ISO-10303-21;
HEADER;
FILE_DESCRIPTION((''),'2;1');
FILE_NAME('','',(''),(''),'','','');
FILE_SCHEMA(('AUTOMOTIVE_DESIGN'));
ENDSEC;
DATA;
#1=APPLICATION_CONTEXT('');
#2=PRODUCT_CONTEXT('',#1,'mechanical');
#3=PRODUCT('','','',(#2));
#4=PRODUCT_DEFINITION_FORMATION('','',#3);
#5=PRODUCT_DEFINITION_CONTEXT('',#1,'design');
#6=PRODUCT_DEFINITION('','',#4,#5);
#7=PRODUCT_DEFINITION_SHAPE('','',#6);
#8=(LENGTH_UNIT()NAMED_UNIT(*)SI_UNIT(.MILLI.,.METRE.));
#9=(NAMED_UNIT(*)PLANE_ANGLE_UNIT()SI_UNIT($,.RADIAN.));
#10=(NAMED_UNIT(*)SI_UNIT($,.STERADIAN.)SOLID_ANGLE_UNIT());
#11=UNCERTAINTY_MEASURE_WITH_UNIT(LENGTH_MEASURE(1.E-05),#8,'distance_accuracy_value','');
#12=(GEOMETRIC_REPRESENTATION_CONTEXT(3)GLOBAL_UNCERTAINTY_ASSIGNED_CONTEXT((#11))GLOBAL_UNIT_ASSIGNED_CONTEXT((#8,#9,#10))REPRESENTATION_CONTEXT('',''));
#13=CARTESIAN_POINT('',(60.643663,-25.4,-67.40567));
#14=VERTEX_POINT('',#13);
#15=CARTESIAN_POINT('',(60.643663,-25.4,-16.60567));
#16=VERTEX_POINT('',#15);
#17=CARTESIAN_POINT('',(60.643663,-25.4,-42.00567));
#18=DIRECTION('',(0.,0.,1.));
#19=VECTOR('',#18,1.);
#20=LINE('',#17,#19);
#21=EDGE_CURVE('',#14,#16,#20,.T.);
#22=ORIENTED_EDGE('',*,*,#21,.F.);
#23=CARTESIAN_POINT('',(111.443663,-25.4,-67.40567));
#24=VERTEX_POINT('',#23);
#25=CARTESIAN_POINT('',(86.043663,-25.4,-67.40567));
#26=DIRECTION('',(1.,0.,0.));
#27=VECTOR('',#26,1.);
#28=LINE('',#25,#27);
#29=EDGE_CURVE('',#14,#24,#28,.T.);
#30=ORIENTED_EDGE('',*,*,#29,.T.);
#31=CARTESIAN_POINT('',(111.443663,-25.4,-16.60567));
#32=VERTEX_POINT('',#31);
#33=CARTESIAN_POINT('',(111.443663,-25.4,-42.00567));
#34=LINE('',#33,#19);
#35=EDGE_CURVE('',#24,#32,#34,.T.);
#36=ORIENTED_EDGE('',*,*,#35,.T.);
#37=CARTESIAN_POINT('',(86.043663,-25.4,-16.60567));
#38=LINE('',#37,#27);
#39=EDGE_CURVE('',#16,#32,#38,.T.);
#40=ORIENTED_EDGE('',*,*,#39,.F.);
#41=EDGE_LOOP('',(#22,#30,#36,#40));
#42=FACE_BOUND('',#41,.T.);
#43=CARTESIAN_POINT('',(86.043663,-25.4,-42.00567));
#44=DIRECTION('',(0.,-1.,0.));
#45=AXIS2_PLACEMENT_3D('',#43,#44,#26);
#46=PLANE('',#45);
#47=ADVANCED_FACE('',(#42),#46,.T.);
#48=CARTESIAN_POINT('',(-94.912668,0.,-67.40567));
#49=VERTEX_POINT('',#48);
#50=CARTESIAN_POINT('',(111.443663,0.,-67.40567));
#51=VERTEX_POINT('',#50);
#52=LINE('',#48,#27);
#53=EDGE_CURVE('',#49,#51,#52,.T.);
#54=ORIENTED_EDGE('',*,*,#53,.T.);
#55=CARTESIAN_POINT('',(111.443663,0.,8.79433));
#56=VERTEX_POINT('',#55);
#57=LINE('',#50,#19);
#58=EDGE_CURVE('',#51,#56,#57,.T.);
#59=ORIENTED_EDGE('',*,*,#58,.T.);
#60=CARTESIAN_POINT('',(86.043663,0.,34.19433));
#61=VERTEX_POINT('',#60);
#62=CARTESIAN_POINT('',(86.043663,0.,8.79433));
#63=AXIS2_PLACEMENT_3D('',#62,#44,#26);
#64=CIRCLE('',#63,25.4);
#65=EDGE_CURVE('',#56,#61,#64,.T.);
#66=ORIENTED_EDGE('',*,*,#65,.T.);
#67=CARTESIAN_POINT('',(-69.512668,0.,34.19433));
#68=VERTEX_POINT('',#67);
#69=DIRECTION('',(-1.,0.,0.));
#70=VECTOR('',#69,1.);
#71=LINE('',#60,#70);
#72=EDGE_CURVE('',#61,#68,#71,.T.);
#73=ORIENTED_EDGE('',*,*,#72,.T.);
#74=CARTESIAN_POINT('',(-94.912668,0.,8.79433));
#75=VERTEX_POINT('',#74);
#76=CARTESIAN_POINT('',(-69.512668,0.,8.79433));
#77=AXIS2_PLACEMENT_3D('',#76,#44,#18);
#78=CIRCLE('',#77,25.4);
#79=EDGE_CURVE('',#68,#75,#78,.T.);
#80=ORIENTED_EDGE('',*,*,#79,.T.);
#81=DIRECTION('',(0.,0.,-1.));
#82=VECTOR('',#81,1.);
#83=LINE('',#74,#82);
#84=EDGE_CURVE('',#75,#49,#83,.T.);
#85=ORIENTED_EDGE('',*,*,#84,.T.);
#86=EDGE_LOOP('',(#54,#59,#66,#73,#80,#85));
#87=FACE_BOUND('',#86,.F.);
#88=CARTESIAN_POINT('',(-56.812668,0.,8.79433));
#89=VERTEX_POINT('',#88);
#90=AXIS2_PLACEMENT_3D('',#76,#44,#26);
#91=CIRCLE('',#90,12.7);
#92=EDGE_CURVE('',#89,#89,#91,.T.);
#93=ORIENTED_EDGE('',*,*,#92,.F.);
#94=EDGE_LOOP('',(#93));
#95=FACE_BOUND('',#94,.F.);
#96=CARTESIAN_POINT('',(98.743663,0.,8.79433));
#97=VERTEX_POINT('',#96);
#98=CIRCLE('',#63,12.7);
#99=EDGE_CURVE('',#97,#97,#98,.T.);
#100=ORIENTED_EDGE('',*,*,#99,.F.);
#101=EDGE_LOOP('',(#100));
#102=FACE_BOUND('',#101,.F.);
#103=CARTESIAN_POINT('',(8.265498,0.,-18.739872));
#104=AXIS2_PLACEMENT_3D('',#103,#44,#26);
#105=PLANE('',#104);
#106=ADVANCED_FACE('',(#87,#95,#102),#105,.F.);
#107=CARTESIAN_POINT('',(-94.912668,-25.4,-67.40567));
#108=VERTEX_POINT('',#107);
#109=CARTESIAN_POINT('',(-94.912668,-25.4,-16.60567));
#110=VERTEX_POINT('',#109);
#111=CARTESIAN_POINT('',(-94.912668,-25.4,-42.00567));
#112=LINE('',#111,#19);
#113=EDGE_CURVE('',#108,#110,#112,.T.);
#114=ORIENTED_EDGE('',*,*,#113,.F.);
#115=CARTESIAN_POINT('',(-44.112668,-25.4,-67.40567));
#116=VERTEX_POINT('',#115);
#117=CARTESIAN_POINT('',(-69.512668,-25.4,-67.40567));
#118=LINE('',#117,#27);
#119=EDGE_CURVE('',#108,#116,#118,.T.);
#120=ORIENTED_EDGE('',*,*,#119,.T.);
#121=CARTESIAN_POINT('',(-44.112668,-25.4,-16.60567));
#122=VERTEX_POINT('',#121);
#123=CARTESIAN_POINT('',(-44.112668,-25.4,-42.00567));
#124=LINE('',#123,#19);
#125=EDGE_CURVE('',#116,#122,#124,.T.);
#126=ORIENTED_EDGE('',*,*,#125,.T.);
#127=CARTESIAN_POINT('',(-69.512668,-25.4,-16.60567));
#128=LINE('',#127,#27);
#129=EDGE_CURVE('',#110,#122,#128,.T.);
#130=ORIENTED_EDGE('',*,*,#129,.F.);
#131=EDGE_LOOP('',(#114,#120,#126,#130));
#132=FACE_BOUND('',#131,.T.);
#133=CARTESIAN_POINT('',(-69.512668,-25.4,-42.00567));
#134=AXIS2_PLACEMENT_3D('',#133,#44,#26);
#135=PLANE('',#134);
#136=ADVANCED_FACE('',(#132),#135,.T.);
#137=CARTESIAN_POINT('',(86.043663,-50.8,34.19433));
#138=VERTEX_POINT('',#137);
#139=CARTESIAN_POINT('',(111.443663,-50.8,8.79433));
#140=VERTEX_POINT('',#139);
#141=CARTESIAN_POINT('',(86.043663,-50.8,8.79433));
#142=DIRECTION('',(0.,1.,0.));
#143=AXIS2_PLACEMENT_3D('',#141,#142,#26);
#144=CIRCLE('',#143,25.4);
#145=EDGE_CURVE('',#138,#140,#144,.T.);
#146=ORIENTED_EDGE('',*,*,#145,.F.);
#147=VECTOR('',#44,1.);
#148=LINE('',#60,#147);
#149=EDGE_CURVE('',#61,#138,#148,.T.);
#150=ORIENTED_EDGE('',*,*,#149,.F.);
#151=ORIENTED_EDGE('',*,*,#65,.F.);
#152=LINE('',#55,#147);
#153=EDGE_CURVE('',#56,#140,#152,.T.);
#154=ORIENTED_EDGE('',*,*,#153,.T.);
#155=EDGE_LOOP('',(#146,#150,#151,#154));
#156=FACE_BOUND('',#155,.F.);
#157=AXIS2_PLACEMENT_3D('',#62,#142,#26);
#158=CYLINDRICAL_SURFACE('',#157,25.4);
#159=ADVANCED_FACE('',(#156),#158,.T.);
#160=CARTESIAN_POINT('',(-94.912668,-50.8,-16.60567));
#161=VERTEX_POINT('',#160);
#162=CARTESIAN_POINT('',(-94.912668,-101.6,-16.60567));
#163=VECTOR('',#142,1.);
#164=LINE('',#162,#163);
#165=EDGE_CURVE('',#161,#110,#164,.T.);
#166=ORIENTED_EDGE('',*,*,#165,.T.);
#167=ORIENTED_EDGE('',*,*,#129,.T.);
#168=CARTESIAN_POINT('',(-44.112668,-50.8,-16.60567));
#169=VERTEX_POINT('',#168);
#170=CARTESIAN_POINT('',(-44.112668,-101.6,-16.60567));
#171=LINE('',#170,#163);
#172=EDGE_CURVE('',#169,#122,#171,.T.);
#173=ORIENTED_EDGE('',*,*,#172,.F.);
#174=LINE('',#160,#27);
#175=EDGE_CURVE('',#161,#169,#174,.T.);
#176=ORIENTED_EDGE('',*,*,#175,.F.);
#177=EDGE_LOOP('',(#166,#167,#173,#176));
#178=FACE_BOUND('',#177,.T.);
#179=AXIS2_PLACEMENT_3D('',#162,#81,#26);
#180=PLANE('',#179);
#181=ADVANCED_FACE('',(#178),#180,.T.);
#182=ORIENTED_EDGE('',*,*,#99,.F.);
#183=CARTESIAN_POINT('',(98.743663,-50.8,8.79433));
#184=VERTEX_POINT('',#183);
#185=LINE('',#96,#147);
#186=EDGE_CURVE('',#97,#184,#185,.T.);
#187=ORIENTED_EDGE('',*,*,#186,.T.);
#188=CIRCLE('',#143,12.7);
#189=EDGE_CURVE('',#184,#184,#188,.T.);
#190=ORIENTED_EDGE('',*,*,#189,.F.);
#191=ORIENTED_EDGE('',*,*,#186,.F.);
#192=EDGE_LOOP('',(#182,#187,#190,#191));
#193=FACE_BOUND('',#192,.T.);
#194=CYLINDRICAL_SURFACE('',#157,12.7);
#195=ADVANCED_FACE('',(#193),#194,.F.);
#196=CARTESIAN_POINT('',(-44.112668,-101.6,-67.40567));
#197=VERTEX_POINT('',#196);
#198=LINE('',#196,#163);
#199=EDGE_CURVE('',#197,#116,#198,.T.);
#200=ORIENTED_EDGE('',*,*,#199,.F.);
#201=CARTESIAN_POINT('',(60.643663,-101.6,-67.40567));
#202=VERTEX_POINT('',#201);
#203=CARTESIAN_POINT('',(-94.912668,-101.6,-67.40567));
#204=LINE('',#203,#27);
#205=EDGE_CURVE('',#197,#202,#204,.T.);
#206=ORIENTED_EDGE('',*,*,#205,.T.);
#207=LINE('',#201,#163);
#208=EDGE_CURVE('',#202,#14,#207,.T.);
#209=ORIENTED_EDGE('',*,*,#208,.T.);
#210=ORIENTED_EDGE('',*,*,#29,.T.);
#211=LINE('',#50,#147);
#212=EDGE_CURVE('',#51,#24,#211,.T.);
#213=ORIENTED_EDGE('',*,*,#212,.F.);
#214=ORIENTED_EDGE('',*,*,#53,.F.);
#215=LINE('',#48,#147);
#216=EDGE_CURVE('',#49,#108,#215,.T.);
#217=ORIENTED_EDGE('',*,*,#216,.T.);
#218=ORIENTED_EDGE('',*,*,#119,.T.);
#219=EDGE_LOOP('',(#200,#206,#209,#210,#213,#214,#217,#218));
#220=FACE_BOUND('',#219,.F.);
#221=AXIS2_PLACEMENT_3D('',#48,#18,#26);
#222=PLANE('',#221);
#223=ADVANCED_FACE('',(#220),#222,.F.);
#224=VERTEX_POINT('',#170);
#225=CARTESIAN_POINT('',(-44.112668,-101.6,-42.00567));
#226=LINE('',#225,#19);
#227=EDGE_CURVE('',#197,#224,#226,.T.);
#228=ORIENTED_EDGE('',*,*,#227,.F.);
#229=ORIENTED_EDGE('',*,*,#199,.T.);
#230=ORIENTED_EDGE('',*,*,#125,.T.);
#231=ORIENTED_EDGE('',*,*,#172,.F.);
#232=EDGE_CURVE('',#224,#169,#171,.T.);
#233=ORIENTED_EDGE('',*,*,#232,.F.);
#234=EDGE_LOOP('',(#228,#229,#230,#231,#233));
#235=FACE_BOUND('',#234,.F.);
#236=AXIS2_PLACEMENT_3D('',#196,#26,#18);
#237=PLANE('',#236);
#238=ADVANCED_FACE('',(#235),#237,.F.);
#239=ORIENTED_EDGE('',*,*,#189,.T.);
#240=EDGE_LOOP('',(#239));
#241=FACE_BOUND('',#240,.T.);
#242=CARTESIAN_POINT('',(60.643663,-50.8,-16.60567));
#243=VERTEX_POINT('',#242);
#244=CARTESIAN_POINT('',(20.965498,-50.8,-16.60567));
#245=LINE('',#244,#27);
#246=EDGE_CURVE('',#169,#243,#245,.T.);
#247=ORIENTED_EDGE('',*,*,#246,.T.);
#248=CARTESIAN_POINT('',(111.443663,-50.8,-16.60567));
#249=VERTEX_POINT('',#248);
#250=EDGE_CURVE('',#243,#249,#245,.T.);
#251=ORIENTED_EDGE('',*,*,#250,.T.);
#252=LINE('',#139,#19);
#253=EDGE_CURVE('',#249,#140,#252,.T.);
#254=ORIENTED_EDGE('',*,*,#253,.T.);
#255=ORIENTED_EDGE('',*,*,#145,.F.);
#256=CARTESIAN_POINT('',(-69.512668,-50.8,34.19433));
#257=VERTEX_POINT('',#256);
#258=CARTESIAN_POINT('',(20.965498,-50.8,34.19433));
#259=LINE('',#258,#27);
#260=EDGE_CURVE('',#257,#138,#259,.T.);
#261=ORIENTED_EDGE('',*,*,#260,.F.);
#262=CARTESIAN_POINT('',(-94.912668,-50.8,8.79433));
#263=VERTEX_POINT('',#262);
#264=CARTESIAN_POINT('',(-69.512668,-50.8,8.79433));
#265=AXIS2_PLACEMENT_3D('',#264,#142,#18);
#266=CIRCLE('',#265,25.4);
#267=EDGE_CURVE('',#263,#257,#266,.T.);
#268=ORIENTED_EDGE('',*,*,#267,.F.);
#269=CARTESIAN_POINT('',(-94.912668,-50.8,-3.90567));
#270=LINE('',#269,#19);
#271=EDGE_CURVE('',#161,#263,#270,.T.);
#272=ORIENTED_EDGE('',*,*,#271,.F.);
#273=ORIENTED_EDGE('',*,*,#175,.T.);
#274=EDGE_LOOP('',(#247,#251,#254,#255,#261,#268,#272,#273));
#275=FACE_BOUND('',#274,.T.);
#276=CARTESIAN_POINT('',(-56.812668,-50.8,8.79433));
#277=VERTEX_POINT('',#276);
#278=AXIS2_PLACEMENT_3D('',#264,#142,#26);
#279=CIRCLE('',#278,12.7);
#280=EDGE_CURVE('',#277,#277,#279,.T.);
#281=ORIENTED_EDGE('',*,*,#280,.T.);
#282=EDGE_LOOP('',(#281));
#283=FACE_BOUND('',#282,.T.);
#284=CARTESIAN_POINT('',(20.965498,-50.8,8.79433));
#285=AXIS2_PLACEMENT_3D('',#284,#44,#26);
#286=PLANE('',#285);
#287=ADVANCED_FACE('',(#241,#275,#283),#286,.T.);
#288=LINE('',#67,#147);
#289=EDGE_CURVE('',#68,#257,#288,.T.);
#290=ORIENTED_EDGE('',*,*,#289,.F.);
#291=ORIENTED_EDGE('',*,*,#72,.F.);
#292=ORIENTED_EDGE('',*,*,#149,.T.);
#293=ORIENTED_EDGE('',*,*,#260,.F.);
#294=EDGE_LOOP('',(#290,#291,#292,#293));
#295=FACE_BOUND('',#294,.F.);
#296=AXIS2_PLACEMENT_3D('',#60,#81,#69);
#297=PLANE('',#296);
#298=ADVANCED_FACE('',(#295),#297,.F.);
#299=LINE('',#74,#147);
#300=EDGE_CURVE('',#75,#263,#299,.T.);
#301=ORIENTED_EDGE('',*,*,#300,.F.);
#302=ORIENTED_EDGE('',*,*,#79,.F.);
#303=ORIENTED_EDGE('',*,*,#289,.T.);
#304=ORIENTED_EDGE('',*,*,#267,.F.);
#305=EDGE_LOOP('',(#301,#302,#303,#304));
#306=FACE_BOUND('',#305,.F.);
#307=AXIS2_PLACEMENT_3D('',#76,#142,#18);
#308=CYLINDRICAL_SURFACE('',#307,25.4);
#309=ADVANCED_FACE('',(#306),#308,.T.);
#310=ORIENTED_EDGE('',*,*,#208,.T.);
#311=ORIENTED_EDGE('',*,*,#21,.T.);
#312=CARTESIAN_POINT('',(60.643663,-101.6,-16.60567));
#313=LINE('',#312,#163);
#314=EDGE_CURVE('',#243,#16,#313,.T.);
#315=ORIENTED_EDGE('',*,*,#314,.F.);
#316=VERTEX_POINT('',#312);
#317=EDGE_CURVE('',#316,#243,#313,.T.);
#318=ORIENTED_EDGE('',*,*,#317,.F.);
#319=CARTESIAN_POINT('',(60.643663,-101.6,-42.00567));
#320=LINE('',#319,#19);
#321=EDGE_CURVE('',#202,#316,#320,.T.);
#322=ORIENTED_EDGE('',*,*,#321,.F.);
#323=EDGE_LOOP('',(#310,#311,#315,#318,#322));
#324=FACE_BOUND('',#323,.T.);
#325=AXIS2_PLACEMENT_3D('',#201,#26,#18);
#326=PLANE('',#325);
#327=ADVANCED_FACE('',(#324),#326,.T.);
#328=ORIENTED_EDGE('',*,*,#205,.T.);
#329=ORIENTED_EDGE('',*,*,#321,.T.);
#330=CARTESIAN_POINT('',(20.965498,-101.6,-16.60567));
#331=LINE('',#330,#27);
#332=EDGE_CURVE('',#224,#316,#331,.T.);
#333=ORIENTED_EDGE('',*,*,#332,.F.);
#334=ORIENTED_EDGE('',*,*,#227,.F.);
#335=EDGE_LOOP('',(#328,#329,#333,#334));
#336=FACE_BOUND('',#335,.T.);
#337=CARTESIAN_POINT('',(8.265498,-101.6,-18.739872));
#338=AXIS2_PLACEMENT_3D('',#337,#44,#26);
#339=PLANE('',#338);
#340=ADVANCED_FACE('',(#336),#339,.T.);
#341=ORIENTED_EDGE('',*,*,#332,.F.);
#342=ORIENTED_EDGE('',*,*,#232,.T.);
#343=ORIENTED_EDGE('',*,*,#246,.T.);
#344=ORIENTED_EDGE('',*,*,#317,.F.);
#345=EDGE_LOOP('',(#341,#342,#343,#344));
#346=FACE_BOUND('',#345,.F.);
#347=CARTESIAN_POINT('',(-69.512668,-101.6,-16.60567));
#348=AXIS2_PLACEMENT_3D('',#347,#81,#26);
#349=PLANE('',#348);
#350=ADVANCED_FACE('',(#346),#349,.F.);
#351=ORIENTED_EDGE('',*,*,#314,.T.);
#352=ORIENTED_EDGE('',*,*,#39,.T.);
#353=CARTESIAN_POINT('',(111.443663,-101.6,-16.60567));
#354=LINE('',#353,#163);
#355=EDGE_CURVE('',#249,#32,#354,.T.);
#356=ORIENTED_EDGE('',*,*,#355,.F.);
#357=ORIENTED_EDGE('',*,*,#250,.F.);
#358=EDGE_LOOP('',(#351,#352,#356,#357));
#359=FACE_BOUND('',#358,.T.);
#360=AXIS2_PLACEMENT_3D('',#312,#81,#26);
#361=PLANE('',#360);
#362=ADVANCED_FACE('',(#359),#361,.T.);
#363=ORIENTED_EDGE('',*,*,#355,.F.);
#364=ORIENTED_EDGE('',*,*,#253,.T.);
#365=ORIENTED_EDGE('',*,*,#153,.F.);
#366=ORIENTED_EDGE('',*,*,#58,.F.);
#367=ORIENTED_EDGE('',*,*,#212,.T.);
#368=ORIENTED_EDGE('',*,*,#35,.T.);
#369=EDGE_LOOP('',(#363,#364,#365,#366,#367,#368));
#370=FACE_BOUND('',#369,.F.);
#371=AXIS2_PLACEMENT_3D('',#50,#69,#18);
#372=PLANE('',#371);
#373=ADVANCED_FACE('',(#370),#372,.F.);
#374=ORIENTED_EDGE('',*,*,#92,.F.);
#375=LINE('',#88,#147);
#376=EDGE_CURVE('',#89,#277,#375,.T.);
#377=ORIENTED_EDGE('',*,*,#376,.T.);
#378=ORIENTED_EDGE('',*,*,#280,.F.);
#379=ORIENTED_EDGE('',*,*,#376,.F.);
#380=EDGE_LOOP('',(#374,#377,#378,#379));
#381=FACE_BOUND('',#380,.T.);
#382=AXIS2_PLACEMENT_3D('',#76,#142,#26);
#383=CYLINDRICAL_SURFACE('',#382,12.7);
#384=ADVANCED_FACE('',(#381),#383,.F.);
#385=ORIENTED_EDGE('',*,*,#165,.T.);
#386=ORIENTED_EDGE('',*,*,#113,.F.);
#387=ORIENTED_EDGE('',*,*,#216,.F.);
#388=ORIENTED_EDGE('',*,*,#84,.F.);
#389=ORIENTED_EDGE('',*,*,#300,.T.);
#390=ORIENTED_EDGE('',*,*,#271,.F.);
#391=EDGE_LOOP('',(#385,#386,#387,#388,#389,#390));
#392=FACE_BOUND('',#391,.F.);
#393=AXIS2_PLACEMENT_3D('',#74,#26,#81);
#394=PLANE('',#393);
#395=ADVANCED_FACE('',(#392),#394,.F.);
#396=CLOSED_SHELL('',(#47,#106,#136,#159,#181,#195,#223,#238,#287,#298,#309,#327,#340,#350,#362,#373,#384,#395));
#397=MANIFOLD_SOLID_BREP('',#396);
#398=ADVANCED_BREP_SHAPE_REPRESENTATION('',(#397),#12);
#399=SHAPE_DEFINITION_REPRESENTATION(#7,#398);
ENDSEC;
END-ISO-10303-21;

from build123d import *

# Parameters (mm, degrees)
F0_R     = 12.7
F1_DEPTH = 101.6
F2_W     = 50.8
F2_H     = 50.8
F3_DEPTH = 76.2
F4_W     = 180.9563313782
F4_H     = 50.8
F5_DEPTH = 50.8
F6_W     = 50.8
F6_H     = 50.8
F7_DEPTH = 203.2


with BuildPart() as f1:
    # F0 (on Front) → F1 (new body)
    with BuildSketch(Plane.XZ):
        with BuildLine():
            Line((86.0436633229, 34.1943300605), (-69.5126680553, 34.1943300605))
            ThreePointArc((-69.5126680553, 34.1943300605), (-87.4731802974, 26.7548423026), (-94.9126680553, 8.7943300605))
            Line((-94.9126680553, 8.7943300605), (-94.9126680553, -67.4056699395))
            Line((-94.9126680553, -67.4056699395), (111.4436633229, -67.4056699395))
            Line((111.4436633229, -67.4056699395), (111.4436633229, 8.7943300605))
            ThreePointArc((111.4436633229, 8.7943300605), (104.0041755651, 26.7548423026), (86.0436633229, 34.1943300605))
        make_face()
        with Locations((-69.5126680553, 8.7943300605)):
            Circle(F0_R, mode=Mode.SUBTRACT)
        with Locations((86.0436633229, 8.7943300605)):
            Circle(F0_R, mode=Mode.SUBTRACT)
    extrude(amount=F1_DEPTH)

    # F2 (on face) → F3 (cut)
    with BuildSketch(Plane.XZ.offset(101.6)):
        with Locations((-69.5126680553, -42.0056699395)):
            Rectangle(F2_W, F2_H)
        with Locations((86.0436633229, -42.0056699395)):
            Rectangle(F2_W, F2_H)
    extrude(amount=-F3_DEPTH, mode=Mode.SUBTRACT)

    # F4 (on face) → F5 (cut)
    with BuildSketch(Plane.XZ.offset(101.6)):
        with Locations((20.9654976338, 8.7943300605)):
            Rectangle(F4_W, F4_H)
    extrude(amount=-F5_DEPTH, mode=Mode.SUBTRACT)

    # F6 (on face) → F7 (cut)
    with BuildSketch(Plane.YZ.offset(-69.5126680553)):
        with Locations((-76.2, 8.7943300605)):
            Rectangle(F6_W, F6_H)
    extrude(amount=-F7_DEPTH, mode=Mode.SUBTRACT)


solid = f1.part
